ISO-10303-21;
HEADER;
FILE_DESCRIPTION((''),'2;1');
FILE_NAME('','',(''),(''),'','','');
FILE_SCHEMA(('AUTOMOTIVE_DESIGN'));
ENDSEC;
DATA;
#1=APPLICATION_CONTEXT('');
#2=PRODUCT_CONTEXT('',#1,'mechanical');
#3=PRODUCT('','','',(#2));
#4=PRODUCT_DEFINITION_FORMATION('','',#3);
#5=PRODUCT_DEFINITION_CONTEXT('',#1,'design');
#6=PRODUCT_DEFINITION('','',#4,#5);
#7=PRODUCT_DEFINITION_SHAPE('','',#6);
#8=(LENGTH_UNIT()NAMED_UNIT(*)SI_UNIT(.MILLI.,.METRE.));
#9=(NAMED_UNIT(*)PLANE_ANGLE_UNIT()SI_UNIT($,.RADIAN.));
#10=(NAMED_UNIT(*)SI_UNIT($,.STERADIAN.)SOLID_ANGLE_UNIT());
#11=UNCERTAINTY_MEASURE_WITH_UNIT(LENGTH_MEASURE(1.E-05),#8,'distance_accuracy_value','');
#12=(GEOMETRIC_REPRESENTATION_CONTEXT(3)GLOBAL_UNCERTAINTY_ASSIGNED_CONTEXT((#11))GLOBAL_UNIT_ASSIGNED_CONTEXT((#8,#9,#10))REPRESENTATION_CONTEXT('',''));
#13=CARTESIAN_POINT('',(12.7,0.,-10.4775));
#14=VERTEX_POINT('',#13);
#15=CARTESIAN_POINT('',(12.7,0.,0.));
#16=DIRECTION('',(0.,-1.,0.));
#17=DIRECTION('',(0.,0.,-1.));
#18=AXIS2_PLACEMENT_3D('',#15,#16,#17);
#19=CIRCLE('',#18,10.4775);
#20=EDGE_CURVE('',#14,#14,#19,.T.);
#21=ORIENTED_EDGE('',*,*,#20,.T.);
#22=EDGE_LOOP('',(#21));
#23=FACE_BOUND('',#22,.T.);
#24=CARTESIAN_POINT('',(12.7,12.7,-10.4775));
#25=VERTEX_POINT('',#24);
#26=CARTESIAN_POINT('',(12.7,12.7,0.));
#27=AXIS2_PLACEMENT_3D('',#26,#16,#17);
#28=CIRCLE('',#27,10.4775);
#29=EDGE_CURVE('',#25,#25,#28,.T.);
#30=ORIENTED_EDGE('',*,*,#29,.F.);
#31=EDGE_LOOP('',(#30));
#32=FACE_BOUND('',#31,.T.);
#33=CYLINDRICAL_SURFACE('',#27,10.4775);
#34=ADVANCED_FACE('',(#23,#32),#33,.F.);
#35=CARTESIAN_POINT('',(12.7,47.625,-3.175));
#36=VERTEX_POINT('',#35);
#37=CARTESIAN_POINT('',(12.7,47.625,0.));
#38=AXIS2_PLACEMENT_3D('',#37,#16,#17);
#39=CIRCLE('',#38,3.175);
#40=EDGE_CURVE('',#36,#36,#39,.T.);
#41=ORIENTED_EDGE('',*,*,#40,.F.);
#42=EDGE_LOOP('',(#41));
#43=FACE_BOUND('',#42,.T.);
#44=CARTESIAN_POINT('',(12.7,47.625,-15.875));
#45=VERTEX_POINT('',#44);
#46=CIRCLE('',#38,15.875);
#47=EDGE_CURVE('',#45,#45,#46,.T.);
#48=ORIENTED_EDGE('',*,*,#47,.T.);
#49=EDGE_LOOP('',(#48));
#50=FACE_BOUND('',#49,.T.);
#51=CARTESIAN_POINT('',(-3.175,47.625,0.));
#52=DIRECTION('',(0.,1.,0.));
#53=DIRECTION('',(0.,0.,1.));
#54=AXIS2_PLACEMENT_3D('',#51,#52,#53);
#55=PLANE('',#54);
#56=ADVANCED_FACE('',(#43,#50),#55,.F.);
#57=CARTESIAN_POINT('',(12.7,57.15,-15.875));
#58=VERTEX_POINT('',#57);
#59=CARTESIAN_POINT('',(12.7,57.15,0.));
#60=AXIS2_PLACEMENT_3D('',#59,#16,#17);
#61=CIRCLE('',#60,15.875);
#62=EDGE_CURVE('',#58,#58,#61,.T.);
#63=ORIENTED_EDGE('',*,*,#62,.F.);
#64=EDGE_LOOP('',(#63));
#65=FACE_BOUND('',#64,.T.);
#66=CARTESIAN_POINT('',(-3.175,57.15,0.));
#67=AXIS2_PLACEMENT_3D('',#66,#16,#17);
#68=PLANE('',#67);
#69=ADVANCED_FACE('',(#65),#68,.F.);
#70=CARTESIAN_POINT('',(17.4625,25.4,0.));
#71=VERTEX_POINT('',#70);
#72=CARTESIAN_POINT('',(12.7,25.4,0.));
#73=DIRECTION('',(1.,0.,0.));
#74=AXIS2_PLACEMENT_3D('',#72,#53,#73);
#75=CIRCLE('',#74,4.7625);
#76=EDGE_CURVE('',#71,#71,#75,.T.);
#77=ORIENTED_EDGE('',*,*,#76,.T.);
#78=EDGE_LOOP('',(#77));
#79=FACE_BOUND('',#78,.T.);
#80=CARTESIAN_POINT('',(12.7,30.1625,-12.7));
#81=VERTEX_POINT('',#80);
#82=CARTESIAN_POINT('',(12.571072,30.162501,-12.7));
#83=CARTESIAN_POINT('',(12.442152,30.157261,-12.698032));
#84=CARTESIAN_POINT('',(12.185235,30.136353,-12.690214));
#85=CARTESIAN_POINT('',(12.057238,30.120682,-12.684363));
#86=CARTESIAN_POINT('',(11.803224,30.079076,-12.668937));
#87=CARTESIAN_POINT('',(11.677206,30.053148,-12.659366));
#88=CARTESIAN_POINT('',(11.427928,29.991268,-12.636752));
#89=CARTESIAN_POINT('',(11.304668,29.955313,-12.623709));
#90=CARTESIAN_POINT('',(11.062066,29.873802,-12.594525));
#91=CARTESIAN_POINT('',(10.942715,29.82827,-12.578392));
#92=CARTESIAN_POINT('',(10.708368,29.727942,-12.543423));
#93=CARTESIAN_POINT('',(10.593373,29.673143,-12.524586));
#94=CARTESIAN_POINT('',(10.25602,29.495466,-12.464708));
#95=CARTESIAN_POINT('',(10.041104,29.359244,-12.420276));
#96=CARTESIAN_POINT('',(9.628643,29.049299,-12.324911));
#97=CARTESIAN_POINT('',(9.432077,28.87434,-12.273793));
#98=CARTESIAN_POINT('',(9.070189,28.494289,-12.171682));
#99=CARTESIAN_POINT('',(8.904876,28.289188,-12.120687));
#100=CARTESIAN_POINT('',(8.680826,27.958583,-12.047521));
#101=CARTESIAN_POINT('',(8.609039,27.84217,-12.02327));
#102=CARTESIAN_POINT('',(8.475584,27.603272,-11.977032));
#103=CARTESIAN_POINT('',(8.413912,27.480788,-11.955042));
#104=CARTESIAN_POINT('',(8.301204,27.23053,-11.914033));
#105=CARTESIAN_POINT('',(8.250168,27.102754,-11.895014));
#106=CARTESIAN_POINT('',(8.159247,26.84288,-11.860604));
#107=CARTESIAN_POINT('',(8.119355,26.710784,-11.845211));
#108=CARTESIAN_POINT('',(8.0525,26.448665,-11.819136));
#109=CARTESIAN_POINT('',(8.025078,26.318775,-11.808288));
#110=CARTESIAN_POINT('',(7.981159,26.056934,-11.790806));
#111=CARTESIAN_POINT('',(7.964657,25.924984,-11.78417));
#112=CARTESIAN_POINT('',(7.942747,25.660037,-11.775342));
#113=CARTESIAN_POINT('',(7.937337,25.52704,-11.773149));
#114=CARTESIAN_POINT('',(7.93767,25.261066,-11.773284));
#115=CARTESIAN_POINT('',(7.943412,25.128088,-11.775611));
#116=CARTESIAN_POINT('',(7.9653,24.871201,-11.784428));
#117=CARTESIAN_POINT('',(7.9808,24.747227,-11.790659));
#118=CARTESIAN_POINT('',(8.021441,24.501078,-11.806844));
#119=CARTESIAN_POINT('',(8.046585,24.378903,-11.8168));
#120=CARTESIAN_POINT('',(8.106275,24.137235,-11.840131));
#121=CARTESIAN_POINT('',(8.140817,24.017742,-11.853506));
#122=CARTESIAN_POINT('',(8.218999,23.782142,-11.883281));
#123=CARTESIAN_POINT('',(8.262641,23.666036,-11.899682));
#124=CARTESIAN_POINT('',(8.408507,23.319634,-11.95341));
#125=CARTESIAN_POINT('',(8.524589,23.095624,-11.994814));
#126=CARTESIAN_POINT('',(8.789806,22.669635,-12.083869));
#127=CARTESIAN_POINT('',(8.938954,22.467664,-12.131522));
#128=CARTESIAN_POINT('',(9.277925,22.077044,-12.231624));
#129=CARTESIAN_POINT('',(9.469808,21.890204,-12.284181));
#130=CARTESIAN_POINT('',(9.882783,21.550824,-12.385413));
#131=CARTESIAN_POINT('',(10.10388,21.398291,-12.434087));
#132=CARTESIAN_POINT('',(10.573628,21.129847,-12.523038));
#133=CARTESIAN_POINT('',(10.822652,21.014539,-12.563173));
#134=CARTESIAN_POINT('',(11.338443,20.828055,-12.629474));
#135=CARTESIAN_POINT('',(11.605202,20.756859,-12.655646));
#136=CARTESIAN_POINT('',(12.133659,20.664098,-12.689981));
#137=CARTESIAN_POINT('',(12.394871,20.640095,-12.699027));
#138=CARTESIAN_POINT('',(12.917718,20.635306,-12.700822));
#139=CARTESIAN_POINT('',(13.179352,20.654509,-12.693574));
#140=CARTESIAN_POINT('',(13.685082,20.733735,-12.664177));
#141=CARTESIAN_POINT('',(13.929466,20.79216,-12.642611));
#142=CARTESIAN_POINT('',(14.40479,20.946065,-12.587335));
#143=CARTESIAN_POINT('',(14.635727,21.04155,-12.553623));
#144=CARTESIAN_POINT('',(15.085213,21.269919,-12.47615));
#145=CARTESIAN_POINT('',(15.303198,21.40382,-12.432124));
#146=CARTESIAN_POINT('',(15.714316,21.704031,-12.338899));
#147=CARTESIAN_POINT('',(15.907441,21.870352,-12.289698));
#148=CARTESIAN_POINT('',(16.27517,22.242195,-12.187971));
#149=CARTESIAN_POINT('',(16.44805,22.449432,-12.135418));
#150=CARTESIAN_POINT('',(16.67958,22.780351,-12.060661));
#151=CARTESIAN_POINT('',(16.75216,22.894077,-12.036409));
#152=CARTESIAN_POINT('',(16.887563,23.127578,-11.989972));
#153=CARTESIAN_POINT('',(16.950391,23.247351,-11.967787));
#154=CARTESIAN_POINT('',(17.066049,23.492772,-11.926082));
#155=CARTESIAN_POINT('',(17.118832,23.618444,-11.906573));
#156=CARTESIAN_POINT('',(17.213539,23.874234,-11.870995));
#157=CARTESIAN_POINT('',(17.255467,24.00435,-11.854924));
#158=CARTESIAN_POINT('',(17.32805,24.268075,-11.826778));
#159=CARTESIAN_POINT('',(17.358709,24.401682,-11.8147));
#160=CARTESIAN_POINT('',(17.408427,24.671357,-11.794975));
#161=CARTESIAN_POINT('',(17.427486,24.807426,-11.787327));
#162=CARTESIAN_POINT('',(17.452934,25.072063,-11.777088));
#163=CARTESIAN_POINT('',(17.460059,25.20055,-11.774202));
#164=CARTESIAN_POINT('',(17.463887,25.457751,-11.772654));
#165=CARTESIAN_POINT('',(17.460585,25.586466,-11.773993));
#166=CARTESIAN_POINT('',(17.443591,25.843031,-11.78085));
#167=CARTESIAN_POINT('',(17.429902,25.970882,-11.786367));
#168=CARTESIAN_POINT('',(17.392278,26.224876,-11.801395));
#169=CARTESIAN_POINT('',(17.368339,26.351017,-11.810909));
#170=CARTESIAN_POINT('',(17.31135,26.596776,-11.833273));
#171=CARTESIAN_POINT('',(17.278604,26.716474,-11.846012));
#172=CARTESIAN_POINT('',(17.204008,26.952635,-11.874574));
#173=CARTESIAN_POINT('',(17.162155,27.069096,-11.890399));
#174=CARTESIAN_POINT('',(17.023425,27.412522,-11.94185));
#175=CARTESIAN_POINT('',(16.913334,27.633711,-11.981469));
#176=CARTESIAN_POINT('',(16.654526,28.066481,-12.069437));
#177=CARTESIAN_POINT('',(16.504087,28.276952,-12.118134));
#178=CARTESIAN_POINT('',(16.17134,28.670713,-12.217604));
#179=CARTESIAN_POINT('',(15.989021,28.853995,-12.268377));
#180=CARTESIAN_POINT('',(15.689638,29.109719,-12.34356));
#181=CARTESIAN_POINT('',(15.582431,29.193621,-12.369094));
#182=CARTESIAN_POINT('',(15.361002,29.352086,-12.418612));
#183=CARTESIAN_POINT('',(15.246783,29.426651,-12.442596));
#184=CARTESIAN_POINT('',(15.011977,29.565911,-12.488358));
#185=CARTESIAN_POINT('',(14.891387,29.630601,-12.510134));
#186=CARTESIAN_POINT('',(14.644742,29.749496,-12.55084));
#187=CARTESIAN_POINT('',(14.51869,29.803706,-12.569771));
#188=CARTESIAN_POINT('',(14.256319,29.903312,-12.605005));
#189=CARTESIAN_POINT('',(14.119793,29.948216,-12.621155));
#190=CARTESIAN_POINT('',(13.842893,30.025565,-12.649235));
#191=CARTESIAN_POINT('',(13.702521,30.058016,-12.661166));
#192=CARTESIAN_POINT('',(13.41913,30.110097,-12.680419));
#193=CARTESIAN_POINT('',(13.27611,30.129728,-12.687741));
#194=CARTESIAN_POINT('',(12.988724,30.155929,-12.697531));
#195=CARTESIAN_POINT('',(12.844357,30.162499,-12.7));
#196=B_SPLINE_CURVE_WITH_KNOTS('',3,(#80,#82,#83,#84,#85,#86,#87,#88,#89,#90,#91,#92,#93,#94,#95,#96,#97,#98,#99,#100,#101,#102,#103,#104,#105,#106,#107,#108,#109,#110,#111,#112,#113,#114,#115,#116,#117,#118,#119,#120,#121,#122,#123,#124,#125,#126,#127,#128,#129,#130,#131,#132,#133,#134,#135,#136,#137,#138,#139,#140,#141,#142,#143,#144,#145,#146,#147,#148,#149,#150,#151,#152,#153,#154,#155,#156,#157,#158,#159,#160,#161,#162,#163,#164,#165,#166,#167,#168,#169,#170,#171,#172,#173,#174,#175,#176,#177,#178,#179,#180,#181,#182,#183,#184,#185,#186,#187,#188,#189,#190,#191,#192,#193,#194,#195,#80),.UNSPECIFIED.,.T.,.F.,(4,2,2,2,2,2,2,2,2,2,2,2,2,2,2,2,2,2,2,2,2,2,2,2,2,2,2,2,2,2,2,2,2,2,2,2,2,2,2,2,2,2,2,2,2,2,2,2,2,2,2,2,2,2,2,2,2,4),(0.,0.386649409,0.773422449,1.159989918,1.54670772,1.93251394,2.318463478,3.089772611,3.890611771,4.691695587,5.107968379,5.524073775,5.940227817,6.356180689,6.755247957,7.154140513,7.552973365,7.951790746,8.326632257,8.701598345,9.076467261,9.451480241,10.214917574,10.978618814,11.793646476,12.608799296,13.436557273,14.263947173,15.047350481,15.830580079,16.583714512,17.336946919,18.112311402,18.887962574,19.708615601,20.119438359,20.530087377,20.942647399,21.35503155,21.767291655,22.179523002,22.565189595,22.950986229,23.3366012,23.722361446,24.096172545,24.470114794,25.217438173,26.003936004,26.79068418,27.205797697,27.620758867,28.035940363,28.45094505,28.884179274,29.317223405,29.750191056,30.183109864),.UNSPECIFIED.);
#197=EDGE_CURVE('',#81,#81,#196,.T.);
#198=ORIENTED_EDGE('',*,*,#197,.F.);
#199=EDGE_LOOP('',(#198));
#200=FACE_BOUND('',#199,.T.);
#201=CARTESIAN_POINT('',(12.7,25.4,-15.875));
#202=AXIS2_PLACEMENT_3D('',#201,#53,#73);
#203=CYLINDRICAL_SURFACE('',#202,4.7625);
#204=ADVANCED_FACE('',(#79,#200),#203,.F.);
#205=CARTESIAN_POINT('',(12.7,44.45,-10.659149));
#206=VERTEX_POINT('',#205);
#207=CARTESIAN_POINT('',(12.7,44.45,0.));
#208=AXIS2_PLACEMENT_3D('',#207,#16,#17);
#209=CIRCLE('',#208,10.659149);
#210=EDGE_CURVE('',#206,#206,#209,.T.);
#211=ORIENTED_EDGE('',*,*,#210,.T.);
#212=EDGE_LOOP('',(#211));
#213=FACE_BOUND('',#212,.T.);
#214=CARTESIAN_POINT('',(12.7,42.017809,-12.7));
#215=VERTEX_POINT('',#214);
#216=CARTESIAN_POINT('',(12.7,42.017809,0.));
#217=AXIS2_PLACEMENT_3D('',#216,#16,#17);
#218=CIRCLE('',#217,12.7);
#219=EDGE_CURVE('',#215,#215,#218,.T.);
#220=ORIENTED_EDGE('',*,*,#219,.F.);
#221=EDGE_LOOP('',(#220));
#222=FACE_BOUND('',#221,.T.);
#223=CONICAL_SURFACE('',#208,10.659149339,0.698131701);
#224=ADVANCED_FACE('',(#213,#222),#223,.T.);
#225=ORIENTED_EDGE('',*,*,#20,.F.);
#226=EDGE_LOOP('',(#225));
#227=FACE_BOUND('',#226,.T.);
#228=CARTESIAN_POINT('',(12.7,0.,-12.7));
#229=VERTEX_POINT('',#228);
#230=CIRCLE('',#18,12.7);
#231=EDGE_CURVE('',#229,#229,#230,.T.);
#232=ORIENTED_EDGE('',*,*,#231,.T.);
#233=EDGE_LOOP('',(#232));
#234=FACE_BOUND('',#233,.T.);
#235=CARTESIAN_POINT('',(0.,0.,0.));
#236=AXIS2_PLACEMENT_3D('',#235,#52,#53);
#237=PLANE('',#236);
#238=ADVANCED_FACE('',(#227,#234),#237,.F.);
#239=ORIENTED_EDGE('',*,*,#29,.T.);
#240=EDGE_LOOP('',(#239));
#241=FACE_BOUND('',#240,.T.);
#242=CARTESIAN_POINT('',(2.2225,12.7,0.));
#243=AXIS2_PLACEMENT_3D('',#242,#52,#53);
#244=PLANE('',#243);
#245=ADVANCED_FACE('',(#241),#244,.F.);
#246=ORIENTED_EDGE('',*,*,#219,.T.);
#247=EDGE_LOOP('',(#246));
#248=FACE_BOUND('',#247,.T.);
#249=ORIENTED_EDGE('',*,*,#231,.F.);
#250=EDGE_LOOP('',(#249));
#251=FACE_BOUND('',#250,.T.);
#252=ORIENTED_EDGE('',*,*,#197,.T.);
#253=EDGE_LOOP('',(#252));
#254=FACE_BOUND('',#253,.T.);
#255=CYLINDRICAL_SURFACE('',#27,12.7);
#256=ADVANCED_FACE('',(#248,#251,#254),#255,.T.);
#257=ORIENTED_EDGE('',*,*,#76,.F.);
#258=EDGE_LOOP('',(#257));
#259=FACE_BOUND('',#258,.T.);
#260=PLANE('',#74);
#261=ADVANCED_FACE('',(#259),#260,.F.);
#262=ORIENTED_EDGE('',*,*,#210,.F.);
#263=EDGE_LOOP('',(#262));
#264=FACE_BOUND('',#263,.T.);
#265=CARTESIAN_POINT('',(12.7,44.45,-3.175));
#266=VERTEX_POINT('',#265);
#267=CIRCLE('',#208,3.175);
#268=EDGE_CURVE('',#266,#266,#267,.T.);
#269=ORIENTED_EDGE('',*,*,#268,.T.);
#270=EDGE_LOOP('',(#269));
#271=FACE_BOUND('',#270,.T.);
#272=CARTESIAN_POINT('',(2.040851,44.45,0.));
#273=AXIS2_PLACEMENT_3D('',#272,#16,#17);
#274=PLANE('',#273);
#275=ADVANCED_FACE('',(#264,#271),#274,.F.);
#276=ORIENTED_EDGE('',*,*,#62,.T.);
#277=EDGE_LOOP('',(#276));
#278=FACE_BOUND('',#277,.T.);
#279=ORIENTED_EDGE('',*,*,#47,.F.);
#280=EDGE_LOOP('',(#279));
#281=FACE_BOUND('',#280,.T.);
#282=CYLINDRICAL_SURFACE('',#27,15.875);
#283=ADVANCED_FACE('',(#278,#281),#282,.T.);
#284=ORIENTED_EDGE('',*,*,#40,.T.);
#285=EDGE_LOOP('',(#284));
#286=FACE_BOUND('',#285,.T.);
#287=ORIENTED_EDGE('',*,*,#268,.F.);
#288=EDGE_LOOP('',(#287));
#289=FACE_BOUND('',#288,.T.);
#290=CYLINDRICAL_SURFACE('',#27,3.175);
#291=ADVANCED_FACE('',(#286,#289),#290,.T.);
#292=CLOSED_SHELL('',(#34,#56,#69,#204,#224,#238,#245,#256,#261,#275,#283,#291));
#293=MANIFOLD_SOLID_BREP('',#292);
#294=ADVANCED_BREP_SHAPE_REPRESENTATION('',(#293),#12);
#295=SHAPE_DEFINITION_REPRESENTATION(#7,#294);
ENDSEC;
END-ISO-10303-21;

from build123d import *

# Parameters (mm, degrees)
SKETCH3_R          = 4.7625
CUT_EXTRUDE1_DEPTH = 66.838201297


with BuildPart() as part:
    # Sketch2 → Revolve1 (revolve)
    with BuildSketch(Plane.XY, mode=Mode.PRIVATE) as revolve1_sk:
        Polygon((2.040850661, 44.45), (0, 42.017808893), (0, 0), (2.2225, 0), (2.2225, 12.7), (12.7, 12.7), (12.7, 57.15), (-3.175, 57.15), (-3.175, 47.625), (9.525, 47.625), (9.525, 44.45), align=None)
    revolve(revolve1_sk.sketch.rotate(Axis((12.7, 12.7, 0), (0, 1, 0)), 270), axis=Axis((12.7, 12.7, 0), (0, 1, 0)))

    # Sketch3 → Cut-Extrude1 (cut, through all)
    with BuildSketch(Plane.XY):
        with Locations((12.7, 25.4)):
            Circle(SKETCH3_R)
    extrude(amount=-CUT_EXTRUDE1_DEPTH, mode=Mode.SUBTRACT)


solid = part.part
